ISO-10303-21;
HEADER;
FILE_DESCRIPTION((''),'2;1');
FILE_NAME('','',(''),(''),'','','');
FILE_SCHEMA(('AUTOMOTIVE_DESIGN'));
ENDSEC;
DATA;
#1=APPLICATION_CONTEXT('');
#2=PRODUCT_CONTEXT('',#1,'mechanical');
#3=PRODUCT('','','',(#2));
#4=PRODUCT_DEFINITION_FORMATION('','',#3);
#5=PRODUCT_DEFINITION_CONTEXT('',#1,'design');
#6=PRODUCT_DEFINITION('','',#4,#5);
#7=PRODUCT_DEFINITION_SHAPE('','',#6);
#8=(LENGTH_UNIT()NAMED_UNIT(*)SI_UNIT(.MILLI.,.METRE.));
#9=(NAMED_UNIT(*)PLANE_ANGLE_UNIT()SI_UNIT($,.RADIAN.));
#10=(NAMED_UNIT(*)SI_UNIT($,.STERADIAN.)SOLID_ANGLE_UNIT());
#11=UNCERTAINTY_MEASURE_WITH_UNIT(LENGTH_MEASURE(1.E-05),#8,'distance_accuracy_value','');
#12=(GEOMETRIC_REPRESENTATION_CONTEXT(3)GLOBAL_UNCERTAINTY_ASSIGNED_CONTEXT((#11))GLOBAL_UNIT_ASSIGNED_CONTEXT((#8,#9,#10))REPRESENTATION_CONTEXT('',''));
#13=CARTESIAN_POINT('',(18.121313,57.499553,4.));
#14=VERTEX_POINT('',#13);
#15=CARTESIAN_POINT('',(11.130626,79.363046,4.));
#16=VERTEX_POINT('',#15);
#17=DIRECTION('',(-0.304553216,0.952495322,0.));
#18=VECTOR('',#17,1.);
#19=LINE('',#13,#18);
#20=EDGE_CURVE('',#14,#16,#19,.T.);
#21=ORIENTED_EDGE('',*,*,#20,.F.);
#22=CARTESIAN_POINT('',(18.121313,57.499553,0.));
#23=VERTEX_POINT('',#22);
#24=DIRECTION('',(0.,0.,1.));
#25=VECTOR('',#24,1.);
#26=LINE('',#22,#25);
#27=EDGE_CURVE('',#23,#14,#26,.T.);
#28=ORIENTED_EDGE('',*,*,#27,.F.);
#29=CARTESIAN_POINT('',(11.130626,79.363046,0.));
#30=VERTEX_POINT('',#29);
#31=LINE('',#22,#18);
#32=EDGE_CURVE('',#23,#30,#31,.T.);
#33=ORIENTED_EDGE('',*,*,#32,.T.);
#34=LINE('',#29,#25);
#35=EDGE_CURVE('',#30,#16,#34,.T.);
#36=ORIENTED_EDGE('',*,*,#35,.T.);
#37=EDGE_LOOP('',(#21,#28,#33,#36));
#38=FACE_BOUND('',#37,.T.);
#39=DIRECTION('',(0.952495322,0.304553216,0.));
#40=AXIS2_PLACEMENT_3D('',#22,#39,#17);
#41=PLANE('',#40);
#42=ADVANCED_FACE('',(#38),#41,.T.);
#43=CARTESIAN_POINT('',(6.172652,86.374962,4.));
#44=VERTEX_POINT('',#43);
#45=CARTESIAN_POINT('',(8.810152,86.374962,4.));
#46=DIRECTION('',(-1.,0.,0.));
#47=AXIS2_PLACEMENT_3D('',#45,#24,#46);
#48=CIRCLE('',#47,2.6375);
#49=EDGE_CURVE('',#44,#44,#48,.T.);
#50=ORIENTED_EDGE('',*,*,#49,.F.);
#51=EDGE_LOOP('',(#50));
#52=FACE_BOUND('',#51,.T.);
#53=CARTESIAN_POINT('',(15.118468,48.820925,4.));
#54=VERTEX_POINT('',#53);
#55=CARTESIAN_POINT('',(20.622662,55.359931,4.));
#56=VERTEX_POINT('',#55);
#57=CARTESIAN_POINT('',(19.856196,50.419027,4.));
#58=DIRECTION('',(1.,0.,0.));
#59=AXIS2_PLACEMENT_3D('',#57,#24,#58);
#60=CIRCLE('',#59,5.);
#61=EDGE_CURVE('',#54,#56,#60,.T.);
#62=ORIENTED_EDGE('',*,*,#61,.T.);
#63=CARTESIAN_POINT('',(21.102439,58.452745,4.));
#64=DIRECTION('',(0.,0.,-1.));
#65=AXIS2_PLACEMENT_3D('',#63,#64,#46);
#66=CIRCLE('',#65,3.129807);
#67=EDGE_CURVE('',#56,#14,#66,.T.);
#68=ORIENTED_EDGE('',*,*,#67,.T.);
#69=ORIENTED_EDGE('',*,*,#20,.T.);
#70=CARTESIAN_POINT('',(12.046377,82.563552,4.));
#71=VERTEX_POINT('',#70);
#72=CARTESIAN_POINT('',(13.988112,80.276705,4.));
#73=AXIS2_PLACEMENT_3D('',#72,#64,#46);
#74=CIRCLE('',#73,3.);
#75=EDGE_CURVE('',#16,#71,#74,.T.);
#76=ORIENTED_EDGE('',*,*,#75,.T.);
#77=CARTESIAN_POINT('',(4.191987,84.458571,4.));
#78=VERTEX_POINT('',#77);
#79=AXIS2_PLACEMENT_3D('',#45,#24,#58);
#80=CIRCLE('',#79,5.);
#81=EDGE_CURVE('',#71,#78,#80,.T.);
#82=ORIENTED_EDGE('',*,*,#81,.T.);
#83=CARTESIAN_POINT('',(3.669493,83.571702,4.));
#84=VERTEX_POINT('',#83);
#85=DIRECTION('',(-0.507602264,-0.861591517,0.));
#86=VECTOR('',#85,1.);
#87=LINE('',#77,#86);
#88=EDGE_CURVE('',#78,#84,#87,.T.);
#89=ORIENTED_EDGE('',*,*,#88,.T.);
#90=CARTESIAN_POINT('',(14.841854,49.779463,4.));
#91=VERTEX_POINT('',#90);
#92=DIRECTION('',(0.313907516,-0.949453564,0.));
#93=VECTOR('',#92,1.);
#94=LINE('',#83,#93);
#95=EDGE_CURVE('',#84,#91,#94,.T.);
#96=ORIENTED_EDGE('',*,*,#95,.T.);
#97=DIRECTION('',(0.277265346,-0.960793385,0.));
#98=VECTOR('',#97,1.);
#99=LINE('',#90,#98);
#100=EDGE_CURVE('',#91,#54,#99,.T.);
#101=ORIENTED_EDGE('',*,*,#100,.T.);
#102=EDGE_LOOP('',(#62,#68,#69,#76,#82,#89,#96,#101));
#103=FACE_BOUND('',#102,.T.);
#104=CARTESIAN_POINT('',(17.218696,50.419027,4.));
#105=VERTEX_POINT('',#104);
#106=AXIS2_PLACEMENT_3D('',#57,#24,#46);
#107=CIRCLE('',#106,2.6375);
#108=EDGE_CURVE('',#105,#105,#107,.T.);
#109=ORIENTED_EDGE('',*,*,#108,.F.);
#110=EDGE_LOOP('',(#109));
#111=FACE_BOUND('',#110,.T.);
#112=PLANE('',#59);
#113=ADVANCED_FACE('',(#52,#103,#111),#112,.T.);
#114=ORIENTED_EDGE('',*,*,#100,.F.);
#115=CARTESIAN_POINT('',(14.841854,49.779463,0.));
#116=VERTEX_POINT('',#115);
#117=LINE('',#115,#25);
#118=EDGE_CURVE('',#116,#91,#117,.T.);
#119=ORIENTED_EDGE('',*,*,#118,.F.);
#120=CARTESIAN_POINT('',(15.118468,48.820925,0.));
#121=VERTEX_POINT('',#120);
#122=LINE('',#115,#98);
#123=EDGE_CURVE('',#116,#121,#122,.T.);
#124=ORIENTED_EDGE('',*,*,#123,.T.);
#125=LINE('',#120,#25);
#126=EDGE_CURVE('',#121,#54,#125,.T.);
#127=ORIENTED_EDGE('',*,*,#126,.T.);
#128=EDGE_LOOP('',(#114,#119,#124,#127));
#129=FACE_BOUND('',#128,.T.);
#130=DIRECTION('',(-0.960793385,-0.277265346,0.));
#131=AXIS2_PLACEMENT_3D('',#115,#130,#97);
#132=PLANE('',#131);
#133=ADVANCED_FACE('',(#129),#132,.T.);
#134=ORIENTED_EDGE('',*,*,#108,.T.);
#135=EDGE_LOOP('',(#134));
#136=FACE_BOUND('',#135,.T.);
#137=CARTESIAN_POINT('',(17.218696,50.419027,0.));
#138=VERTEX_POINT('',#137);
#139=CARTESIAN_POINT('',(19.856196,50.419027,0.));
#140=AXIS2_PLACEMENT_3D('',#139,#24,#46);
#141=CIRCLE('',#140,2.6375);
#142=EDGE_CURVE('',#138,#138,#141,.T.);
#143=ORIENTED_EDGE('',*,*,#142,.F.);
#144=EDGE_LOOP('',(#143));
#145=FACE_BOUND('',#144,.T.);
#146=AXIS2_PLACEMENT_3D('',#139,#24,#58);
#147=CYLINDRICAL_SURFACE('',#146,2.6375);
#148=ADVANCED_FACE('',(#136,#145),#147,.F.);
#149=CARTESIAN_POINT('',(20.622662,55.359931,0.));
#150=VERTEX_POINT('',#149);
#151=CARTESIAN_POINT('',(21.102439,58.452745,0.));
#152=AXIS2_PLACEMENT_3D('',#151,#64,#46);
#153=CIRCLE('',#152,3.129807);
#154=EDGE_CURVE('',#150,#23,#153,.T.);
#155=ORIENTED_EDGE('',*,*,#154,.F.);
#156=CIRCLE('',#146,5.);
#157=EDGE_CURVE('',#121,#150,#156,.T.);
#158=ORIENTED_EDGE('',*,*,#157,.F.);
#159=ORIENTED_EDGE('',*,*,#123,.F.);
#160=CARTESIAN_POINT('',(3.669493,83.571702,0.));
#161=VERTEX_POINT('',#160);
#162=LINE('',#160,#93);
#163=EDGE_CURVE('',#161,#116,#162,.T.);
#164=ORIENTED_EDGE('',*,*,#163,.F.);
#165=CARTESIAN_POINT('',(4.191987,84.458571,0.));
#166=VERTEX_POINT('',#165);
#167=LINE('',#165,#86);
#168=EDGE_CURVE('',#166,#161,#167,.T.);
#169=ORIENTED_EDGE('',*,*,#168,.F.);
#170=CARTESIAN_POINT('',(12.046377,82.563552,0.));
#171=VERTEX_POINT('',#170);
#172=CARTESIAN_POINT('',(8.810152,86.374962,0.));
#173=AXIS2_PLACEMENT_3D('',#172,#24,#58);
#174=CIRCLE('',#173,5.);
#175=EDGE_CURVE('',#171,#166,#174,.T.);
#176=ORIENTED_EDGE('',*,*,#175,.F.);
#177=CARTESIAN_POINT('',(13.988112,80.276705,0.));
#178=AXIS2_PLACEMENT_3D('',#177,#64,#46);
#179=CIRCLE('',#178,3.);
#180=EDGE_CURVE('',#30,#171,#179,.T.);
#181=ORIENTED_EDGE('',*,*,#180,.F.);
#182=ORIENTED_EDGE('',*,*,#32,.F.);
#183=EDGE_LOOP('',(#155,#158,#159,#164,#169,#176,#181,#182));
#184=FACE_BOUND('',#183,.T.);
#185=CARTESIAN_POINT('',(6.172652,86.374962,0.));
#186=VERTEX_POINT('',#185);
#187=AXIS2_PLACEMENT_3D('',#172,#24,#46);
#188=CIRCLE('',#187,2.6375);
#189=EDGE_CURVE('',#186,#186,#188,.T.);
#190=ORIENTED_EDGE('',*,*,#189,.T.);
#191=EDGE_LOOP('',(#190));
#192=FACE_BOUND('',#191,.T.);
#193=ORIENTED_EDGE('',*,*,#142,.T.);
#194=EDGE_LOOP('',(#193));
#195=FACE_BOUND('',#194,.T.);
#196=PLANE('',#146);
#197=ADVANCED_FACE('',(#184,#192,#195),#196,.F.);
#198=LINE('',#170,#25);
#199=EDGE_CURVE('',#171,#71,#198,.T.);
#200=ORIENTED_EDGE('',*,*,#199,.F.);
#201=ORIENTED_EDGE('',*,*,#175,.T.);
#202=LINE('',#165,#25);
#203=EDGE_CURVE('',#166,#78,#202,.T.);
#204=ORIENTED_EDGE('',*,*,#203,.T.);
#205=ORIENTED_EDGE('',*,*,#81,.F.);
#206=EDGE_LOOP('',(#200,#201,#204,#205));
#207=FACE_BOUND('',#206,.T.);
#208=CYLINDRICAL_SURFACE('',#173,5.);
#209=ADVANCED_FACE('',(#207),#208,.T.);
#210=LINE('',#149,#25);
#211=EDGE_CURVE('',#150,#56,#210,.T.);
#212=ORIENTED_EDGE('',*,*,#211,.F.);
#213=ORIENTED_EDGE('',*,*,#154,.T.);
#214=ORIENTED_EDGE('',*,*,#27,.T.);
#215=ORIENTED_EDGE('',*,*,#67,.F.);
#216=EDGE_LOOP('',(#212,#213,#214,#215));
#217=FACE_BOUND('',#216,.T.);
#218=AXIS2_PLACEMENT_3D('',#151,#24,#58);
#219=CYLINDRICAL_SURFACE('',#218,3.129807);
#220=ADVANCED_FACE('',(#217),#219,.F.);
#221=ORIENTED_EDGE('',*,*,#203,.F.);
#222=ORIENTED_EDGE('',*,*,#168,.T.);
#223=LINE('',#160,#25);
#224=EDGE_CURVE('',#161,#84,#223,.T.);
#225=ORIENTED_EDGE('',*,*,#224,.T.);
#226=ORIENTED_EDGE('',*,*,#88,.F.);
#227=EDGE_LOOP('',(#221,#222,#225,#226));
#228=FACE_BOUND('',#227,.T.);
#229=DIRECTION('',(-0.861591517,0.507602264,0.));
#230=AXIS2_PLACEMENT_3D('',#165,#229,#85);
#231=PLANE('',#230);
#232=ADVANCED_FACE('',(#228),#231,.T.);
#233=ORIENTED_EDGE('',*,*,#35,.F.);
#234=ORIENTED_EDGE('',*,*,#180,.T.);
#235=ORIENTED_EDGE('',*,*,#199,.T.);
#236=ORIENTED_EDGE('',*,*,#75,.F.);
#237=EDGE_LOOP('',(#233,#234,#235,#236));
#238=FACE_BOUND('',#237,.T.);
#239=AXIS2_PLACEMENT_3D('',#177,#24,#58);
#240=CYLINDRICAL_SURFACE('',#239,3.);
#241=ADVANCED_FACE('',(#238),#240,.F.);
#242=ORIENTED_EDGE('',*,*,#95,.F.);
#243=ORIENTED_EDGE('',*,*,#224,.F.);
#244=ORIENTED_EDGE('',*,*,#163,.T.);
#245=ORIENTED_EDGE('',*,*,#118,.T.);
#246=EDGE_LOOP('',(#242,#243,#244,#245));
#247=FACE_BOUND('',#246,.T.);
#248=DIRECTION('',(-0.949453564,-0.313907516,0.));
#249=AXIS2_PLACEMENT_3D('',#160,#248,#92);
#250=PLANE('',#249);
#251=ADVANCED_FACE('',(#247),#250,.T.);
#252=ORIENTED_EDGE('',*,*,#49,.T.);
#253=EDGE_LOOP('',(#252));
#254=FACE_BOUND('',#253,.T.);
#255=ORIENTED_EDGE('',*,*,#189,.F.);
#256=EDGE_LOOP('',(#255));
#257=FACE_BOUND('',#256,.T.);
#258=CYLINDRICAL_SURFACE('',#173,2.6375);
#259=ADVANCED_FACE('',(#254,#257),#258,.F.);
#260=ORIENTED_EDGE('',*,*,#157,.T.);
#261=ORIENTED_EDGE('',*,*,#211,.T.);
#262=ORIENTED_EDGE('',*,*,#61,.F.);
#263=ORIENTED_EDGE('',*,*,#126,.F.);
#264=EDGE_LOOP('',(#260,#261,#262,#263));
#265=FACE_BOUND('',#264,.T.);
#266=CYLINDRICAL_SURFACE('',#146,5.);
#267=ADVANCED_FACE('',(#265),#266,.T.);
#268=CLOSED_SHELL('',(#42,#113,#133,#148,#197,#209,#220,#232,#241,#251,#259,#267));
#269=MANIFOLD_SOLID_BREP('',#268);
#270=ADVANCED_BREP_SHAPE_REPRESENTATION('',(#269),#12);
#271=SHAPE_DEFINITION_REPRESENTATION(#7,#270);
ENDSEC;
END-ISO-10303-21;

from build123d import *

# Parameters (mm, degrees)
SKETCH1_R           = 2.6375
BOSS_EXTRUDE1_DEPTH = 4


with BuildPart() as part:
    # Sketch1 → Boss-Extrude1 (new body)
    with BuildSketch(Plane.XY.offset(4)):
        with BuildLine():
            Line((18.121313038, 57.499552699), (11.130625568, 79.363045761))
            ThreePointArc((11.130625568, 79.363045761), (11.103854309, 81.101969158), (12.046376558, 82.563551551))
            ThreePointArc((12.046376558, 82.563551551), (9.982846794, 91.235495297), (4.191986809, 84.458570917))
            Line((4.191986809, 84.458570917), (3.669492538, 83.571702076))
            Line((3.669492538, 83.571702076), (14.841853522, 49.779462629))
            Line((14.841853522, 49.779462629), (15.118467898, 48.820925017))
            ThreePointArc((15.118467898, 48.820925017), (23.681425942, 47.199148201), (20.62266155, 55.359930695))
            ThreePointArc((20.62266155, 55.359930695), (19.067995929, 56.074357266), (18.121313038, 57.499552699))
        make_face()
        with Locations(Location((19.856196321, 50.419026825, 0), (0, 0, 180))):
            Circle(SKETCH1_R, mode=Mode.SUBTRACT)
        with Locations(Location((8.810151598, 86.374961789, 0), (0, 0, 180))):
            Circle(SKETCH1_R, mode=Mode.SUBTRACT)
    extrude(amount=-BOSS_EXTRUDE1_DEPTH)


solid = part.part
